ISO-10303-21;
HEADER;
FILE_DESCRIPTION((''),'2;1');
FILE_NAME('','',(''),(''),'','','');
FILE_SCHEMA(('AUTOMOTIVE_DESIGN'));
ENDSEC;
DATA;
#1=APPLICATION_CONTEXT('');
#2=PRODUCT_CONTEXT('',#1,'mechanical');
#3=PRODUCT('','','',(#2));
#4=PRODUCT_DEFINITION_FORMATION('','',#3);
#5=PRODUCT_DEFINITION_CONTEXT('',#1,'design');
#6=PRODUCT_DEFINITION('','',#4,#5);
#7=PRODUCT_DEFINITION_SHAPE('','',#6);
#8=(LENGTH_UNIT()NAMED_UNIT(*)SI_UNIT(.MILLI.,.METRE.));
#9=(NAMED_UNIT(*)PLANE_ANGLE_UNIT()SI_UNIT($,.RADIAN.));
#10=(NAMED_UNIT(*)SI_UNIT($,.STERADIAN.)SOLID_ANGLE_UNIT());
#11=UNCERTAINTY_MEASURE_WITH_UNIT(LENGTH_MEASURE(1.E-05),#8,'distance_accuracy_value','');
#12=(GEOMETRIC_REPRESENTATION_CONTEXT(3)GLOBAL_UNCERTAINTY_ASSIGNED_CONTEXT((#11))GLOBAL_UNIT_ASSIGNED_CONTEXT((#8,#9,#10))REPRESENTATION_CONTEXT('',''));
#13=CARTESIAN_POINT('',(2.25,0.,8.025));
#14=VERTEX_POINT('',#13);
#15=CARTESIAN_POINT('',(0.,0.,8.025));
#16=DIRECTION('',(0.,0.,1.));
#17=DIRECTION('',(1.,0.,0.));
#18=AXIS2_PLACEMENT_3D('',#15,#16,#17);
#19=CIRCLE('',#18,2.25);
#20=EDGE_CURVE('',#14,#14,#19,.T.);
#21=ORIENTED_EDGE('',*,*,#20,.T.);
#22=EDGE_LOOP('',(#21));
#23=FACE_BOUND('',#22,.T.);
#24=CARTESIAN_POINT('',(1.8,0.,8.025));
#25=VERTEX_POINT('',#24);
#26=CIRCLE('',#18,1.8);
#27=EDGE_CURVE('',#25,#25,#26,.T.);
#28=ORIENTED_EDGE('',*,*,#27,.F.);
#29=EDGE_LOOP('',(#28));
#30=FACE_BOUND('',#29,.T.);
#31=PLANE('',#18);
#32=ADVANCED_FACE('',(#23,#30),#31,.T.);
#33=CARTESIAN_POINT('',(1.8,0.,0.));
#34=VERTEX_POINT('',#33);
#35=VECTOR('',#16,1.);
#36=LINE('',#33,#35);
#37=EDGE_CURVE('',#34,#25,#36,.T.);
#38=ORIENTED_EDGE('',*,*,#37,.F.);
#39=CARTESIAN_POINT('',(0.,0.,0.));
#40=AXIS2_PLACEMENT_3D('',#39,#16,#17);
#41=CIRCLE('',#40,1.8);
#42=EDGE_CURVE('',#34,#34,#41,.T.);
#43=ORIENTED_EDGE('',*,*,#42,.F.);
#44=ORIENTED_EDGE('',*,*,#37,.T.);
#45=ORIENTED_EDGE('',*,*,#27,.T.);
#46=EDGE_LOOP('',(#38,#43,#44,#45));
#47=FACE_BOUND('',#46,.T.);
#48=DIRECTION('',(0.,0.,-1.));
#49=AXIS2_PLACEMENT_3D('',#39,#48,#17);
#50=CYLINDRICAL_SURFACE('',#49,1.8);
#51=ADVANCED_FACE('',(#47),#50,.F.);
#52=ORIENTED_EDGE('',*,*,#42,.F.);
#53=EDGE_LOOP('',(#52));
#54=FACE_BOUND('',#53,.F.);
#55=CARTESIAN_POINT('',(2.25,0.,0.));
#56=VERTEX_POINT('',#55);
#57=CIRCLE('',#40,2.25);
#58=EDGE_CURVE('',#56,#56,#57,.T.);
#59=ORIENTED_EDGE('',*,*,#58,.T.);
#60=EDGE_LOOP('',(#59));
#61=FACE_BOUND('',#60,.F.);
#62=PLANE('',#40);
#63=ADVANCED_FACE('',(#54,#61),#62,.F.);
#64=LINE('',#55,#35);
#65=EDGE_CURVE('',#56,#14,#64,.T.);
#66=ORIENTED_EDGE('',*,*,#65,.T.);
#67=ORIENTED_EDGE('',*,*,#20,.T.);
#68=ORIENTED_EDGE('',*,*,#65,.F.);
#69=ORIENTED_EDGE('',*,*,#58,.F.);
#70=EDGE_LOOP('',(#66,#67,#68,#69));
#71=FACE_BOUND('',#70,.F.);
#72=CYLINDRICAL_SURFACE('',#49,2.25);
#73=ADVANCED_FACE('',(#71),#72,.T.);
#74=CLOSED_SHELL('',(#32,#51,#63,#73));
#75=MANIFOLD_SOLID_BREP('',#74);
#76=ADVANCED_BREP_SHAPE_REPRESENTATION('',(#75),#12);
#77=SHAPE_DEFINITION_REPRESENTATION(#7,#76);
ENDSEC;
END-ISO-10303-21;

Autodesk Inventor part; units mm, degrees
ref_plane "YZ Plane" through (0, 0, 0) normal (1, 0, 0) x (0, 1, 0)
ref_plane "XZ Plane" through (0, 0, 0) normal (0, 1, 0) x (-1, 0, 0)
ref_plane "XY Plane" through (0, 0, 0) normal (0, 0, 1) x (1, 0, 0)
sketch "Szkic1" plane through (0, 0, 0) normal (0, 0, 1) x (1, 0, 0)
  circle A0 centre (0, 0) radius 1.8
  circle A1 centre (0, 0) radius 2.25
  dimension "d0" = 3.6
  dimension "d1" = 4.5
extrude "Wyciągnięcie proste1" add sketch "Szkic1" along normal blind 8.025
properties part number "tulejka_ostatnia"
